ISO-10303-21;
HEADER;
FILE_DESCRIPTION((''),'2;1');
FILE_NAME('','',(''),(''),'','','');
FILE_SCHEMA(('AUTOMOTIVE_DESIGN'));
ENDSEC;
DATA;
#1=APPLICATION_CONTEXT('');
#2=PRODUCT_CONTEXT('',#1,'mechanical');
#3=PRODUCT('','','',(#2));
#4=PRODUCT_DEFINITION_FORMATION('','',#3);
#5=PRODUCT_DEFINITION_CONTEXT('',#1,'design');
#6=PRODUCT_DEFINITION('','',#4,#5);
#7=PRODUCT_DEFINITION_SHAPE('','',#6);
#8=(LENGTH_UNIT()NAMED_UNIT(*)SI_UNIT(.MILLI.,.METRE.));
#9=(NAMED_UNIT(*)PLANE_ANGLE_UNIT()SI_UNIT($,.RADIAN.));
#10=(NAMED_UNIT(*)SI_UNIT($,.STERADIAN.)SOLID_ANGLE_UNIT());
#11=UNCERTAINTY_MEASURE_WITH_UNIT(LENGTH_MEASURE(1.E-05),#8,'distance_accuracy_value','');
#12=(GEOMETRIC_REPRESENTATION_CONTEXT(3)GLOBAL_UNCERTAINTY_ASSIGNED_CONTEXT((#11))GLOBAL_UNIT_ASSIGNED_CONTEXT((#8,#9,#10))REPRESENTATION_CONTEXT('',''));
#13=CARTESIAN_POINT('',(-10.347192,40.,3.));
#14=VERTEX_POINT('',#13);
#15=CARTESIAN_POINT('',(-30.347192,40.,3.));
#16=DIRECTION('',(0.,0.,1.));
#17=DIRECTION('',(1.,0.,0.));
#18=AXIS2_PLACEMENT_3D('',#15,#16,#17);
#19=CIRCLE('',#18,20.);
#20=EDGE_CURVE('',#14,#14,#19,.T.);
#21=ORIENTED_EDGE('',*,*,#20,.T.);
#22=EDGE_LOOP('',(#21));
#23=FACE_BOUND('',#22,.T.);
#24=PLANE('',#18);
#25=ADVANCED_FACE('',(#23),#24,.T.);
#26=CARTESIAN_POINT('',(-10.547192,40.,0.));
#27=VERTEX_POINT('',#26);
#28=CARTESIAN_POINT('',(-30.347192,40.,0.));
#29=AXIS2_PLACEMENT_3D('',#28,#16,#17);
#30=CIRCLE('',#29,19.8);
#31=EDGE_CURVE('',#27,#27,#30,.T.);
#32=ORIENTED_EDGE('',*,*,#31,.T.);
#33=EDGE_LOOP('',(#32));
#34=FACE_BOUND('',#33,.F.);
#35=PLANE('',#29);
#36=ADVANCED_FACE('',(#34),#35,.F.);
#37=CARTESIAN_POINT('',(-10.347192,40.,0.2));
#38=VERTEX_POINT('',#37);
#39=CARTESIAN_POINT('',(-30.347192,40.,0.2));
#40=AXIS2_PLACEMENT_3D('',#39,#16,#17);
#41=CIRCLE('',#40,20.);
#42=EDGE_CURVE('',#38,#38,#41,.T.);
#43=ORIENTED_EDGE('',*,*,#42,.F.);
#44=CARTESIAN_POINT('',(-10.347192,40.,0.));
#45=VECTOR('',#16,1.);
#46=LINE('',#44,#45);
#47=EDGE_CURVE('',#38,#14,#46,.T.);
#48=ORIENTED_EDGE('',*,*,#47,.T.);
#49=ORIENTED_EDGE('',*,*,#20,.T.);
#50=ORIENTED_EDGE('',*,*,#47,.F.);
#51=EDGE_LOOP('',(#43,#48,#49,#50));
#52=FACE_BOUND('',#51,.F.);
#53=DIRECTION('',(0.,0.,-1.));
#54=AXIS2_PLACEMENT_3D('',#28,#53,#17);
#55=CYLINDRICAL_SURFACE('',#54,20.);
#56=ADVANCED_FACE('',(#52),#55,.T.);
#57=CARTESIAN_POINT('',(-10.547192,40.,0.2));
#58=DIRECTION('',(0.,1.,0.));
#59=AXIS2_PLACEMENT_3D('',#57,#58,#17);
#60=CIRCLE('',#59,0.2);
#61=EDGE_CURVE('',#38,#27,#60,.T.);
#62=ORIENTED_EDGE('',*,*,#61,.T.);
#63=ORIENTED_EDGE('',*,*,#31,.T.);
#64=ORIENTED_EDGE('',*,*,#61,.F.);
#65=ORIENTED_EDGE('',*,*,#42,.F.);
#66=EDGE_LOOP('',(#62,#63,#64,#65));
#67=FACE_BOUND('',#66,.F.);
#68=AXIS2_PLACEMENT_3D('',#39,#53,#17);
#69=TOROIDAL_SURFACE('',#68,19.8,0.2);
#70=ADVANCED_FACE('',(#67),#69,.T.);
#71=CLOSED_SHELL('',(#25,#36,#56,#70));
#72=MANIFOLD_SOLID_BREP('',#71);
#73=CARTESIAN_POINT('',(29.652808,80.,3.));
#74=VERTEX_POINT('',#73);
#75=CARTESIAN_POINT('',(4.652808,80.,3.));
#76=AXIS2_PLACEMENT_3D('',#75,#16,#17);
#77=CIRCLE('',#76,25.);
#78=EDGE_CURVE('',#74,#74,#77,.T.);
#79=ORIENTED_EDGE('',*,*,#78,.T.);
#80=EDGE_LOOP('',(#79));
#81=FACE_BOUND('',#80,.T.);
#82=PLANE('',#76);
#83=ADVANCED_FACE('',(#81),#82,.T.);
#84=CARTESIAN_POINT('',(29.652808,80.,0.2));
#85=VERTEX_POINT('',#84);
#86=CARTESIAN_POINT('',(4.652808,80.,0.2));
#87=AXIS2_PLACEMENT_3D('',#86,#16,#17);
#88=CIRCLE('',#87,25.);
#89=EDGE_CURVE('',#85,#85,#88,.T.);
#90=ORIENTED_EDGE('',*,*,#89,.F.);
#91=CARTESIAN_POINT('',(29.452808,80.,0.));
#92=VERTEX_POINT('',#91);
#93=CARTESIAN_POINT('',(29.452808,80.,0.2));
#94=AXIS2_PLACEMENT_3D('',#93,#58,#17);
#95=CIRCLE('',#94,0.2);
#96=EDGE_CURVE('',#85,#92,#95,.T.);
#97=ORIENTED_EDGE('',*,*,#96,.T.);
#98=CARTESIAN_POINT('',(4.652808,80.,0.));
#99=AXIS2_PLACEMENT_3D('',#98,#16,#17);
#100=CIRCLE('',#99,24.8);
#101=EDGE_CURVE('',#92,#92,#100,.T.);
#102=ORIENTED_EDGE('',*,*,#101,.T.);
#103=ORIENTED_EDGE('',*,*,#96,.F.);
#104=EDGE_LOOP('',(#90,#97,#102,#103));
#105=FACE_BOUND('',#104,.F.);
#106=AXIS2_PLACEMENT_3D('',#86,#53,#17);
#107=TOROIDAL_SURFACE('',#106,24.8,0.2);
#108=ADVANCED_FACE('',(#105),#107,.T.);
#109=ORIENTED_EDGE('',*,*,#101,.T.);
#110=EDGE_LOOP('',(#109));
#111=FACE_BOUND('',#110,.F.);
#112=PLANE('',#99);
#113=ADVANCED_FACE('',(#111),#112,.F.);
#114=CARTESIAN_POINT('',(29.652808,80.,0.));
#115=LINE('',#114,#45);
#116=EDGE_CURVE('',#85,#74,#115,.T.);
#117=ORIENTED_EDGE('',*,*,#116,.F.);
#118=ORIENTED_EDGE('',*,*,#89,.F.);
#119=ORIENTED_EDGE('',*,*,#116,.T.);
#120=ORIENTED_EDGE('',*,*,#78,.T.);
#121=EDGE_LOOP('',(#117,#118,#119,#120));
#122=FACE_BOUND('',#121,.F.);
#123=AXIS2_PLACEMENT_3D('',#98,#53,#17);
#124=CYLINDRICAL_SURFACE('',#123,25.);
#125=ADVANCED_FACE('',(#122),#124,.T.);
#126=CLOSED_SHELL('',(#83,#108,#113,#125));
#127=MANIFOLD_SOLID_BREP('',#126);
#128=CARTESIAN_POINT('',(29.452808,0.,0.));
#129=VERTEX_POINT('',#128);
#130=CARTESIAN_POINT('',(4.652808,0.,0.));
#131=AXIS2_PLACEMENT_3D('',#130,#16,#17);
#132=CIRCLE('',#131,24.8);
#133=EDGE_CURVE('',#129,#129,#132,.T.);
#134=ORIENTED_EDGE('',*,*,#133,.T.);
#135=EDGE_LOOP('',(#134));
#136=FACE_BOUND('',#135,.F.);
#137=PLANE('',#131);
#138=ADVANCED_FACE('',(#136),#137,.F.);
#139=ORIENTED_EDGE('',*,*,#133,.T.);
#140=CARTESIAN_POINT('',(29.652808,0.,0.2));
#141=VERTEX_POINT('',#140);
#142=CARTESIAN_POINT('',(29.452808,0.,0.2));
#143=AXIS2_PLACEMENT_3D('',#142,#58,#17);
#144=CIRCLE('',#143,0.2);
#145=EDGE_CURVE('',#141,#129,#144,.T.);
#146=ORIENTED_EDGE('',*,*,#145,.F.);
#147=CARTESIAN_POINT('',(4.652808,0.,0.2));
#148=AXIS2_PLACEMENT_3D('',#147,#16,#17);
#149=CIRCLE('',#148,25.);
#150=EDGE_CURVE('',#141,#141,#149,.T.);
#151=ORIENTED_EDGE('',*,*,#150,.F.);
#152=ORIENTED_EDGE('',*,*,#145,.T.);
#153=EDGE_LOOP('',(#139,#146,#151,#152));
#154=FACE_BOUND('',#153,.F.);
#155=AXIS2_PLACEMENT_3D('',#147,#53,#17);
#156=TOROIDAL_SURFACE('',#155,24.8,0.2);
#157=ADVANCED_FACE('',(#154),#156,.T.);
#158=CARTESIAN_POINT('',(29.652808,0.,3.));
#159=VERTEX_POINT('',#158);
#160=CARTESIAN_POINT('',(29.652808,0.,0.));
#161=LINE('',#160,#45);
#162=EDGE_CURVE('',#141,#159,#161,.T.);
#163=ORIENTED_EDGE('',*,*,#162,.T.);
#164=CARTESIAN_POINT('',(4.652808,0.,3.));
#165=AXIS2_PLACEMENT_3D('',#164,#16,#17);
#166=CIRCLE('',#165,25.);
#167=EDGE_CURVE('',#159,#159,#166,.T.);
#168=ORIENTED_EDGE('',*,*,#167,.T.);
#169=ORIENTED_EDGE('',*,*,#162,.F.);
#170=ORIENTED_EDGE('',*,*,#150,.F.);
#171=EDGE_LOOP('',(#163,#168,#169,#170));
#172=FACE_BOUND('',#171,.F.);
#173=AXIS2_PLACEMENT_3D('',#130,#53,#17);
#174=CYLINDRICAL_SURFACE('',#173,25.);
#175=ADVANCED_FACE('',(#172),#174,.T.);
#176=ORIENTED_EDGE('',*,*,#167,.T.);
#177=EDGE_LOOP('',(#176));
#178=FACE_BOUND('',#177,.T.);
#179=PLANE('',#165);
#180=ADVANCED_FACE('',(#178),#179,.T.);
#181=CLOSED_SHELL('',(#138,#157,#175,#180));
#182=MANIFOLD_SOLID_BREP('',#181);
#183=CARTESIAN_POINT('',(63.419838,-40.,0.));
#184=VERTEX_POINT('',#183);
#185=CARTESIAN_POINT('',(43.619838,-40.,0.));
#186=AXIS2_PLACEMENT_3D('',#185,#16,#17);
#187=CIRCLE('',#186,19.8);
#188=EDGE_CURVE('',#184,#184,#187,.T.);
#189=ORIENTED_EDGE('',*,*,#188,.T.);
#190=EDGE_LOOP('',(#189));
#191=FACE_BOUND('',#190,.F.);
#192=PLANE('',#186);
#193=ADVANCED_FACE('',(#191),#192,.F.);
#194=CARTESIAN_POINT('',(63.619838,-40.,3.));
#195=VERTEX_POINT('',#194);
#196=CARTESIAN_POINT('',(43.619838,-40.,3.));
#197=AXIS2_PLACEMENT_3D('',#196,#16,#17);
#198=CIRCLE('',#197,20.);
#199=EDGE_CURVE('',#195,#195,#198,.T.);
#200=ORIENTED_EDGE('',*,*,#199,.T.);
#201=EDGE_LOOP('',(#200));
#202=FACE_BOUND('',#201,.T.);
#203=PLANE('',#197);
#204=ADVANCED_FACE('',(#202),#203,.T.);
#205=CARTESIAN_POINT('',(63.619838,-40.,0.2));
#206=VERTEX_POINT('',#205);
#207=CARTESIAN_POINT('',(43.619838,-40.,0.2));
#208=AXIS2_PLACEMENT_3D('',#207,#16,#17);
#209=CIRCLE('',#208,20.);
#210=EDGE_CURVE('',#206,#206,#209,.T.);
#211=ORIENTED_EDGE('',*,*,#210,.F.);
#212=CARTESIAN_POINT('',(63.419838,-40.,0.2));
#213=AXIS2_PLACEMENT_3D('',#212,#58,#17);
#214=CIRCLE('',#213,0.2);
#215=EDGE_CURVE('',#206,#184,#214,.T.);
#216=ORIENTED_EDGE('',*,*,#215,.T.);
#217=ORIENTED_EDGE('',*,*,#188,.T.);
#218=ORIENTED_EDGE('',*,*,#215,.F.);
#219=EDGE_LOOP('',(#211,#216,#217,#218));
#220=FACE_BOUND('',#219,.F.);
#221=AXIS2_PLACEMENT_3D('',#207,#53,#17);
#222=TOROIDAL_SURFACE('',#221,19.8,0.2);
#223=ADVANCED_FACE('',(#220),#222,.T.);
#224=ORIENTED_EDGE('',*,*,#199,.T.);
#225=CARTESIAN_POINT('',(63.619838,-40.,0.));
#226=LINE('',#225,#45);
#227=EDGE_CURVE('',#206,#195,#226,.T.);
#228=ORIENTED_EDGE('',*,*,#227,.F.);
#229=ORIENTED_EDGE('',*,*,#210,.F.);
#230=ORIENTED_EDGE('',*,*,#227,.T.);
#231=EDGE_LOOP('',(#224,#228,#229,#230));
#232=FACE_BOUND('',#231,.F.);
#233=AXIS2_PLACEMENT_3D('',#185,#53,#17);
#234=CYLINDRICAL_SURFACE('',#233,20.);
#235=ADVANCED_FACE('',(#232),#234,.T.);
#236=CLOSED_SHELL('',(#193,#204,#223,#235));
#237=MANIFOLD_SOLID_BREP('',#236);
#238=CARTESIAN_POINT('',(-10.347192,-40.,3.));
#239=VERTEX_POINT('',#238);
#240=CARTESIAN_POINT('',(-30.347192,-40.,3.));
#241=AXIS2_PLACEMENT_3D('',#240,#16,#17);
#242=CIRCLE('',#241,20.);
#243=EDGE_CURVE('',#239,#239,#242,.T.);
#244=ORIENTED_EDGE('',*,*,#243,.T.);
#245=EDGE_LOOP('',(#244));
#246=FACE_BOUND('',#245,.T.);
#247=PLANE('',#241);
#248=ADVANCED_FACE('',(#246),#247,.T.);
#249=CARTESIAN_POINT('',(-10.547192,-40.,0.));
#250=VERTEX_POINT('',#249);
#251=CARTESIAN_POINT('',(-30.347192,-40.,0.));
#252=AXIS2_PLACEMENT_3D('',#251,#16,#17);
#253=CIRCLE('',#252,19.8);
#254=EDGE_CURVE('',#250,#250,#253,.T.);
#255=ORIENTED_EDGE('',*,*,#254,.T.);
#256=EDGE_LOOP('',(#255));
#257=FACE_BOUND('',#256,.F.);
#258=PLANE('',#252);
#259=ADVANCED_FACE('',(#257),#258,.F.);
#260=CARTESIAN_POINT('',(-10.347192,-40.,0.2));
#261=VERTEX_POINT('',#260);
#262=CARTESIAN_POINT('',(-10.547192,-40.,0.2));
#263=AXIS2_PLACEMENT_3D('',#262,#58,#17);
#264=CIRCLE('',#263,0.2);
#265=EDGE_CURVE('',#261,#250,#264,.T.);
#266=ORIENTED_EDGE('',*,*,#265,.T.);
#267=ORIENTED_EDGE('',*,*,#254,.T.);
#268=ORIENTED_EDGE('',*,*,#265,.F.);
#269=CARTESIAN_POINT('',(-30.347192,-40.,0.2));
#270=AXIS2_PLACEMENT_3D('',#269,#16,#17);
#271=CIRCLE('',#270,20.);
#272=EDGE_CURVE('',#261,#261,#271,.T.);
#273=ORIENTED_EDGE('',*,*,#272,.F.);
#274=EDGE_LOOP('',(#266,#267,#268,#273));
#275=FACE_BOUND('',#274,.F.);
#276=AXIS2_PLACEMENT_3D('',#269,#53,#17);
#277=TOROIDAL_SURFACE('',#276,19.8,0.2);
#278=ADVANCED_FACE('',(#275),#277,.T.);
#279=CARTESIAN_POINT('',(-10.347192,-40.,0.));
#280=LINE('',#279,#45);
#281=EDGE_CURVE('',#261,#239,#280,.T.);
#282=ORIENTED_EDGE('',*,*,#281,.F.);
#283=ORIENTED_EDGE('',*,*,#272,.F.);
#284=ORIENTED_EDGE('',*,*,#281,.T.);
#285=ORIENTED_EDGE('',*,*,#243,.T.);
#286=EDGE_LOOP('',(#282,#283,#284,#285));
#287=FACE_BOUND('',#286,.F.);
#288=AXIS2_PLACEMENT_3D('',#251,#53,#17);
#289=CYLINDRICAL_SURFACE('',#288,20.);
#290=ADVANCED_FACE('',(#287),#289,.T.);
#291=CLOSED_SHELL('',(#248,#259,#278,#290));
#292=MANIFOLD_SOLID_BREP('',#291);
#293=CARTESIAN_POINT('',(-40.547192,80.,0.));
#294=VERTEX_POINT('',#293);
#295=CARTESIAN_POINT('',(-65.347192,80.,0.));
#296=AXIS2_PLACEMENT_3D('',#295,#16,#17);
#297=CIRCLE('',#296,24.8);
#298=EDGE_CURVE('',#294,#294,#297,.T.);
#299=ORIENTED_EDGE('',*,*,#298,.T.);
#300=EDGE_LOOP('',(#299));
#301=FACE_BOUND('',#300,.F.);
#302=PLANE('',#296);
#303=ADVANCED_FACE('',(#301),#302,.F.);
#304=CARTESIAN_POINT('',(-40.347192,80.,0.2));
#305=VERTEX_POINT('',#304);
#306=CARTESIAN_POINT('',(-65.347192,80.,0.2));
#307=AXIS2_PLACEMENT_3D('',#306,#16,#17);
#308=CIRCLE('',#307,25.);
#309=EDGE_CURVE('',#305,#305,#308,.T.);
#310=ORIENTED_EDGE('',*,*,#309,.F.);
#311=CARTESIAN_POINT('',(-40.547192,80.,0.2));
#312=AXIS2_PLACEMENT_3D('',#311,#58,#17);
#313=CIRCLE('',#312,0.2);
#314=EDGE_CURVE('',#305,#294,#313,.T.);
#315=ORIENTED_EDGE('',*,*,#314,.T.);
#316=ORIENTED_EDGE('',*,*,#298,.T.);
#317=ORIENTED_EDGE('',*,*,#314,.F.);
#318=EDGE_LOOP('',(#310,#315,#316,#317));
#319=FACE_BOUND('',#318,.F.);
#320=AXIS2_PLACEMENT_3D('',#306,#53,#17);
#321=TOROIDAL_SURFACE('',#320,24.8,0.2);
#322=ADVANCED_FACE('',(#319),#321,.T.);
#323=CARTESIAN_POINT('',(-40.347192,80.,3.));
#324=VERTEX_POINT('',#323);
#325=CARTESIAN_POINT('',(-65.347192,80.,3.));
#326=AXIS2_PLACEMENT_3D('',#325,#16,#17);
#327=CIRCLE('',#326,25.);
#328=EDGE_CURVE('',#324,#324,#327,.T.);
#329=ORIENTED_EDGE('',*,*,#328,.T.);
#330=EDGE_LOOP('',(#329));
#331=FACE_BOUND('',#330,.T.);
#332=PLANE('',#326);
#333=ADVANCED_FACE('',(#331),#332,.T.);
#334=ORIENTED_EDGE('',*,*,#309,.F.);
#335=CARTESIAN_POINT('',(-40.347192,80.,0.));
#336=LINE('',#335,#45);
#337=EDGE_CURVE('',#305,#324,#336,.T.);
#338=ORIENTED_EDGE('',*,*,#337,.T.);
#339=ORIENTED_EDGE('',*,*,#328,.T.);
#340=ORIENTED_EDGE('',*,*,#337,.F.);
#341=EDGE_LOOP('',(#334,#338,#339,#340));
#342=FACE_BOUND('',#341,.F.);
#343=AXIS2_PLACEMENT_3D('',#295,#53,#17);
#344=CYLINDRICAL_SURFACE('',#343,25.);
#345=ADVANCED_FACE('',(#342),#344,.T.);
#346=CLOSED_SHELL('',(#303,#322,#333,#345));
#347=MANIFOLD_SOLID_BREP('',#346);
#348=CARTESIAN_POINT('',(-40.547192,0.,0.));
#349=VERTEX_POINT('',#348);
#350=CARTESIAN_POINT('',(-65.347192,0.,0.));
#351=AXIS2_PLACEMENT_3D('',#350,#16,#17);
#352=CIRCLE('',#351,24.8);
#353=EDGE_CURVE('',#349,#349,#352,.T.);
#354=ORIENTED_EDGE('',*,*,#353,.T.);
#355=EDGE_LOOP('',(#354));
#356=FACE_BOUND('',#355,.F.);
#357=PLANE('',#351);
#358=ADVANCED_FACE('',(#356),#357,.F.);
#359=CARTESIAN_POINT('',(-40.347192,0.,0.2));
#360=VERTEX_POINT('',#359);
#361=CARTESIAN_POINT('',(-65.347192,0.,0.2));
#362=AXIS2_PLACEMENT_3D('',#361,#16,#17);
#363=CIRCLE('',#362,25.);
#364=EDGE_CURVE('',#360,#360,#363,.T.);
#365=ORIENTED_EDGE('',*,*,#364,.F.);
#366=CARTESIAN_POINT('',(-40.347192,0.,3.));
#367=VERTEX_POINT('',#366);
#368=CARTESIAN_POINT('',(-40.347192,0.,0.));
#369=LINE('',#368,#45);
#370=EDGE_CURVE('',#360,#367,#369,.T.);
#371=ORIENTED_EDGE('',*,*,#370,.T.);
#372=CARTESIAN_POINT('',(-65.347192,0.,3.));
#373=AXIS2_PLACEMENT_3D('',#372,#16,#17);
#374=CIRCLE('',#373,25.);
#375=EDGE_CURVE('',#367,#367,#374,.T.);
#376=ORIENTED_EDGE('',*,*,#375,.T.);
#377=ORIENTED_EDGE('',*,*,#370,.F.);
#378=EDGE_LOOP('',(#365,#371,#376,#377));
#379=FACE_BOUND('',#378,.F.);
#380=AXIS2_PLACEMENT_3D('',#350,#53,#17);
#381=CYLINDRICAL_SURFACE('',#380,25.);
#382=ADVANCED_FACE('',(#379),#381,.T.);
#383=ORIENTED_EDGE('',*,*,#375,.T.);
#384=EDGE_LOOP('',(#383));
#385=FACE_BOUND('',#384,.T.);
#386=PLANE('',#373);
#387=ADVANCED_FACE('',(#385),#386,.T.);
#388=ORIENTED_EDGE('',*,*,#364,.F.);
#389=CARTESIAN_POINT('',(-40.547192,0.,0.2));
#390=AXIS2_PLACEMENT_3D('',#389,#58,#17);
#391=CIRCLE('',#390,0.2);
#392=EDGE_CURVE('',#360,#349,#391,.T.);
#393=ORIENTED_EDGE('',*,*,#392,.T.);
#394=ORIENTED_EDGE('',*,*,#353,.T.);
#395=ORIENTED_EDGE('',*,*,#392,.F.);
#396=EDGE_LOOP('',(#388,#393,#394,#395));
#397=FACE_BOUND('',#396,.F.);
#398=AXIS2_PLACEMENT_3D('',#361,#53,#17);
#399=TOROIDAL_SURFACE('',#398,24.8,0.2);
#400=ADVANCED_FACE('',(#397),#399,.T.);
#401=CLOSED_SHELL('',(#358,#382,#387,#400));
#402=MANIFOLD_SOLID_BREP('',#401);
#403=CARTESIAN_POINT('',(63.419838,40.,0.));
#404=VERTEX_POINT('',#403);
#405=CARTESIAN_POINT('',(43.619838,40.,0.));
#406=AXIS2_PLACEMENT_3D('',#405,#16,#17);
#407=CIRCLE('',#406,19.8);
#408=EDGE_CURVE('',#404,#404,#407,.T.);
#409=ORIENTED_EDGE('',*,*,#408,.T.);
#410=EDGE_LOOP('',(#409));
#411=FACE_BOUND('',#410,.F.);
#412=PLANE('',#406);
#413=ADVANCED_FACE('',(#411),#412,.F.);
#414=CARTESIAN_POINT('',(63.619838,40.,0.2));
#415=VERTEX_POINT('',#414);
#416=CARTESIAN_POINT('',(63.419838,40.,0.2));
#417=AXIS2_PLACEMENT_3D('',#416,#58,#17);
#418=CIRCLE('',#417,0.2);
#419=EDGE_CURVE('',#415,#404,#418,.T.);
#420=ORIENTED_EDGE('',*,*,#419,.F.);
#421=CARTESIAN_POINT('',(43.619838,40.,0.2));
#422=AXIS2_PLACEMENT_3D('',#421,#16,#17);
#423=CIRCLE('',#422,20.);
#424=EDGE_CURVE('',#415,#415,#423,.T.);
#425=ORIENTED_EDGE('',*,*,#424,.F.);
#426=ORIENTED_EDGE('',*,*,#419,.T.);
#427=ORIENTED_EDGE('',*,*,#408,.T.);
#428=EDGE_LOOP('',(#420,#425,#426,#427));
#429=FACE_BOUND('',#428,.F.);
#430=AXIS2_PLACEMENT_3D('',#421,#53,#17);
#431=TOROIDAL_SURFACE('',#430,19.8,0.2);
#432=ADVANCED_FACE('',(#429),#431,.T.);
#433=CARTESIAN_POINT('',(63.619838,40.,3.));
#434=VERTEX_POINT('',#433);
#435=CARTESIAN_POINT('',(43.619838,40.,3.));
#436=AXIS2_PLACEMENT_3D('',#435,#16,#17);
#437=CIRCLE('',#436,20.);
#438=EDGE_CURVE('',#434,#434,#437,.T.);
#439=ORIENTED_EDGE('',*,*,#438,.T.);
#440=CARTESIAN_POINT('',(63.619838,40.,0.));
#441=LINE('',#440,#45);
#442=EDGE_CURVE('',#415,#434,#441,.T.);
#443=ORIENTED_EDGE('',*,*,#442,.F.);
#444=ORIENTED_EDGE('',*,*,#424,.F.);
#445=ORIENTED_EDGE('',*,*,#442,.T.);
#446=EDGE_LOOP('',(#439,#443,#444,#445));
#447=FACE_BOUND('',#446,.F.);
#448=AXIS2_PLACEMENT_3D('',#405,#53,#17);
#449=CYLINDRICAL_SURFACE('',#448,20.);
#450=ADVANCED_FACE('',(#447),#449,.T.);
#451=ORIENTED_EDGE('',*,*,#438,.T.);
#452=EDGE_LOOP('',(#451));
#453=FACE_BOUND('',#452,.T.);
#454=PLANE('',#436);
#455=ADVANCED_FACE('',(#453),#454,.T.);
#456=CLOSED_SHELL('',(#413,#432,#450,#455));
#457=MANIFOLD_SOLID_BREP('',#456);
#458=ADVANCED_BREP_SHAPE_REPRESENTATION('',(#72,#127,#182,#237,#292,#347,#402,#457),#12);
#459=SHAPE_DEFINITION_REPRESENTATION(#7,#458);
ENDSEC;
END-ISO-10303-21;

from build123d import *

# Parameters (mm, degrees)
F0_R     = 25
F0_R_2   = 20
F1_DEPTH = 3
F2_R     = 0.2


with BuildPart() as f1:
    # F0 (on Top) → F1 (new body)
    with BuildSketch(Plane.XY):
        with Locations((-65.347192, 80)):
            Circle(F0_R)
        with Locations((4.652808, 80)):
            Circle(F0_R)
        with Locations((43.619838, 40)):
            Circle(F0_R_2)
        with Locations((-30.347192, 40)):
            Circle(F0_R_2)
        with Locations((-65.347192, 0)):
            Circle(F0_R)
        with Locations((4.652808, 0)):
            Circle(F0_R)
        with Locations((-30.347192, -40)):
            Circle(F0_R_2)
        with Locations((43.619838, -40)):
            Circle(F0_R_2)
    extrude(amount=F1_DEPTH)

    # F2
    f2_edges = [f1.edges().sort_by_distance(p)[0] for p in [
        (-90.347192, 80, 0),
        (-90.347192, 0, 0),
        (-50.347192, -40, 0),
        (-50.347192, 40, 0),
        (-20.347192, 0, 0),
        (23.619838, -40, 0),
        (-20.347192, 80, 0),
        (23.619838, 40, 0),
    ]]
    fillet(f2_edges, radius=F2_R)


solid = f1.part
